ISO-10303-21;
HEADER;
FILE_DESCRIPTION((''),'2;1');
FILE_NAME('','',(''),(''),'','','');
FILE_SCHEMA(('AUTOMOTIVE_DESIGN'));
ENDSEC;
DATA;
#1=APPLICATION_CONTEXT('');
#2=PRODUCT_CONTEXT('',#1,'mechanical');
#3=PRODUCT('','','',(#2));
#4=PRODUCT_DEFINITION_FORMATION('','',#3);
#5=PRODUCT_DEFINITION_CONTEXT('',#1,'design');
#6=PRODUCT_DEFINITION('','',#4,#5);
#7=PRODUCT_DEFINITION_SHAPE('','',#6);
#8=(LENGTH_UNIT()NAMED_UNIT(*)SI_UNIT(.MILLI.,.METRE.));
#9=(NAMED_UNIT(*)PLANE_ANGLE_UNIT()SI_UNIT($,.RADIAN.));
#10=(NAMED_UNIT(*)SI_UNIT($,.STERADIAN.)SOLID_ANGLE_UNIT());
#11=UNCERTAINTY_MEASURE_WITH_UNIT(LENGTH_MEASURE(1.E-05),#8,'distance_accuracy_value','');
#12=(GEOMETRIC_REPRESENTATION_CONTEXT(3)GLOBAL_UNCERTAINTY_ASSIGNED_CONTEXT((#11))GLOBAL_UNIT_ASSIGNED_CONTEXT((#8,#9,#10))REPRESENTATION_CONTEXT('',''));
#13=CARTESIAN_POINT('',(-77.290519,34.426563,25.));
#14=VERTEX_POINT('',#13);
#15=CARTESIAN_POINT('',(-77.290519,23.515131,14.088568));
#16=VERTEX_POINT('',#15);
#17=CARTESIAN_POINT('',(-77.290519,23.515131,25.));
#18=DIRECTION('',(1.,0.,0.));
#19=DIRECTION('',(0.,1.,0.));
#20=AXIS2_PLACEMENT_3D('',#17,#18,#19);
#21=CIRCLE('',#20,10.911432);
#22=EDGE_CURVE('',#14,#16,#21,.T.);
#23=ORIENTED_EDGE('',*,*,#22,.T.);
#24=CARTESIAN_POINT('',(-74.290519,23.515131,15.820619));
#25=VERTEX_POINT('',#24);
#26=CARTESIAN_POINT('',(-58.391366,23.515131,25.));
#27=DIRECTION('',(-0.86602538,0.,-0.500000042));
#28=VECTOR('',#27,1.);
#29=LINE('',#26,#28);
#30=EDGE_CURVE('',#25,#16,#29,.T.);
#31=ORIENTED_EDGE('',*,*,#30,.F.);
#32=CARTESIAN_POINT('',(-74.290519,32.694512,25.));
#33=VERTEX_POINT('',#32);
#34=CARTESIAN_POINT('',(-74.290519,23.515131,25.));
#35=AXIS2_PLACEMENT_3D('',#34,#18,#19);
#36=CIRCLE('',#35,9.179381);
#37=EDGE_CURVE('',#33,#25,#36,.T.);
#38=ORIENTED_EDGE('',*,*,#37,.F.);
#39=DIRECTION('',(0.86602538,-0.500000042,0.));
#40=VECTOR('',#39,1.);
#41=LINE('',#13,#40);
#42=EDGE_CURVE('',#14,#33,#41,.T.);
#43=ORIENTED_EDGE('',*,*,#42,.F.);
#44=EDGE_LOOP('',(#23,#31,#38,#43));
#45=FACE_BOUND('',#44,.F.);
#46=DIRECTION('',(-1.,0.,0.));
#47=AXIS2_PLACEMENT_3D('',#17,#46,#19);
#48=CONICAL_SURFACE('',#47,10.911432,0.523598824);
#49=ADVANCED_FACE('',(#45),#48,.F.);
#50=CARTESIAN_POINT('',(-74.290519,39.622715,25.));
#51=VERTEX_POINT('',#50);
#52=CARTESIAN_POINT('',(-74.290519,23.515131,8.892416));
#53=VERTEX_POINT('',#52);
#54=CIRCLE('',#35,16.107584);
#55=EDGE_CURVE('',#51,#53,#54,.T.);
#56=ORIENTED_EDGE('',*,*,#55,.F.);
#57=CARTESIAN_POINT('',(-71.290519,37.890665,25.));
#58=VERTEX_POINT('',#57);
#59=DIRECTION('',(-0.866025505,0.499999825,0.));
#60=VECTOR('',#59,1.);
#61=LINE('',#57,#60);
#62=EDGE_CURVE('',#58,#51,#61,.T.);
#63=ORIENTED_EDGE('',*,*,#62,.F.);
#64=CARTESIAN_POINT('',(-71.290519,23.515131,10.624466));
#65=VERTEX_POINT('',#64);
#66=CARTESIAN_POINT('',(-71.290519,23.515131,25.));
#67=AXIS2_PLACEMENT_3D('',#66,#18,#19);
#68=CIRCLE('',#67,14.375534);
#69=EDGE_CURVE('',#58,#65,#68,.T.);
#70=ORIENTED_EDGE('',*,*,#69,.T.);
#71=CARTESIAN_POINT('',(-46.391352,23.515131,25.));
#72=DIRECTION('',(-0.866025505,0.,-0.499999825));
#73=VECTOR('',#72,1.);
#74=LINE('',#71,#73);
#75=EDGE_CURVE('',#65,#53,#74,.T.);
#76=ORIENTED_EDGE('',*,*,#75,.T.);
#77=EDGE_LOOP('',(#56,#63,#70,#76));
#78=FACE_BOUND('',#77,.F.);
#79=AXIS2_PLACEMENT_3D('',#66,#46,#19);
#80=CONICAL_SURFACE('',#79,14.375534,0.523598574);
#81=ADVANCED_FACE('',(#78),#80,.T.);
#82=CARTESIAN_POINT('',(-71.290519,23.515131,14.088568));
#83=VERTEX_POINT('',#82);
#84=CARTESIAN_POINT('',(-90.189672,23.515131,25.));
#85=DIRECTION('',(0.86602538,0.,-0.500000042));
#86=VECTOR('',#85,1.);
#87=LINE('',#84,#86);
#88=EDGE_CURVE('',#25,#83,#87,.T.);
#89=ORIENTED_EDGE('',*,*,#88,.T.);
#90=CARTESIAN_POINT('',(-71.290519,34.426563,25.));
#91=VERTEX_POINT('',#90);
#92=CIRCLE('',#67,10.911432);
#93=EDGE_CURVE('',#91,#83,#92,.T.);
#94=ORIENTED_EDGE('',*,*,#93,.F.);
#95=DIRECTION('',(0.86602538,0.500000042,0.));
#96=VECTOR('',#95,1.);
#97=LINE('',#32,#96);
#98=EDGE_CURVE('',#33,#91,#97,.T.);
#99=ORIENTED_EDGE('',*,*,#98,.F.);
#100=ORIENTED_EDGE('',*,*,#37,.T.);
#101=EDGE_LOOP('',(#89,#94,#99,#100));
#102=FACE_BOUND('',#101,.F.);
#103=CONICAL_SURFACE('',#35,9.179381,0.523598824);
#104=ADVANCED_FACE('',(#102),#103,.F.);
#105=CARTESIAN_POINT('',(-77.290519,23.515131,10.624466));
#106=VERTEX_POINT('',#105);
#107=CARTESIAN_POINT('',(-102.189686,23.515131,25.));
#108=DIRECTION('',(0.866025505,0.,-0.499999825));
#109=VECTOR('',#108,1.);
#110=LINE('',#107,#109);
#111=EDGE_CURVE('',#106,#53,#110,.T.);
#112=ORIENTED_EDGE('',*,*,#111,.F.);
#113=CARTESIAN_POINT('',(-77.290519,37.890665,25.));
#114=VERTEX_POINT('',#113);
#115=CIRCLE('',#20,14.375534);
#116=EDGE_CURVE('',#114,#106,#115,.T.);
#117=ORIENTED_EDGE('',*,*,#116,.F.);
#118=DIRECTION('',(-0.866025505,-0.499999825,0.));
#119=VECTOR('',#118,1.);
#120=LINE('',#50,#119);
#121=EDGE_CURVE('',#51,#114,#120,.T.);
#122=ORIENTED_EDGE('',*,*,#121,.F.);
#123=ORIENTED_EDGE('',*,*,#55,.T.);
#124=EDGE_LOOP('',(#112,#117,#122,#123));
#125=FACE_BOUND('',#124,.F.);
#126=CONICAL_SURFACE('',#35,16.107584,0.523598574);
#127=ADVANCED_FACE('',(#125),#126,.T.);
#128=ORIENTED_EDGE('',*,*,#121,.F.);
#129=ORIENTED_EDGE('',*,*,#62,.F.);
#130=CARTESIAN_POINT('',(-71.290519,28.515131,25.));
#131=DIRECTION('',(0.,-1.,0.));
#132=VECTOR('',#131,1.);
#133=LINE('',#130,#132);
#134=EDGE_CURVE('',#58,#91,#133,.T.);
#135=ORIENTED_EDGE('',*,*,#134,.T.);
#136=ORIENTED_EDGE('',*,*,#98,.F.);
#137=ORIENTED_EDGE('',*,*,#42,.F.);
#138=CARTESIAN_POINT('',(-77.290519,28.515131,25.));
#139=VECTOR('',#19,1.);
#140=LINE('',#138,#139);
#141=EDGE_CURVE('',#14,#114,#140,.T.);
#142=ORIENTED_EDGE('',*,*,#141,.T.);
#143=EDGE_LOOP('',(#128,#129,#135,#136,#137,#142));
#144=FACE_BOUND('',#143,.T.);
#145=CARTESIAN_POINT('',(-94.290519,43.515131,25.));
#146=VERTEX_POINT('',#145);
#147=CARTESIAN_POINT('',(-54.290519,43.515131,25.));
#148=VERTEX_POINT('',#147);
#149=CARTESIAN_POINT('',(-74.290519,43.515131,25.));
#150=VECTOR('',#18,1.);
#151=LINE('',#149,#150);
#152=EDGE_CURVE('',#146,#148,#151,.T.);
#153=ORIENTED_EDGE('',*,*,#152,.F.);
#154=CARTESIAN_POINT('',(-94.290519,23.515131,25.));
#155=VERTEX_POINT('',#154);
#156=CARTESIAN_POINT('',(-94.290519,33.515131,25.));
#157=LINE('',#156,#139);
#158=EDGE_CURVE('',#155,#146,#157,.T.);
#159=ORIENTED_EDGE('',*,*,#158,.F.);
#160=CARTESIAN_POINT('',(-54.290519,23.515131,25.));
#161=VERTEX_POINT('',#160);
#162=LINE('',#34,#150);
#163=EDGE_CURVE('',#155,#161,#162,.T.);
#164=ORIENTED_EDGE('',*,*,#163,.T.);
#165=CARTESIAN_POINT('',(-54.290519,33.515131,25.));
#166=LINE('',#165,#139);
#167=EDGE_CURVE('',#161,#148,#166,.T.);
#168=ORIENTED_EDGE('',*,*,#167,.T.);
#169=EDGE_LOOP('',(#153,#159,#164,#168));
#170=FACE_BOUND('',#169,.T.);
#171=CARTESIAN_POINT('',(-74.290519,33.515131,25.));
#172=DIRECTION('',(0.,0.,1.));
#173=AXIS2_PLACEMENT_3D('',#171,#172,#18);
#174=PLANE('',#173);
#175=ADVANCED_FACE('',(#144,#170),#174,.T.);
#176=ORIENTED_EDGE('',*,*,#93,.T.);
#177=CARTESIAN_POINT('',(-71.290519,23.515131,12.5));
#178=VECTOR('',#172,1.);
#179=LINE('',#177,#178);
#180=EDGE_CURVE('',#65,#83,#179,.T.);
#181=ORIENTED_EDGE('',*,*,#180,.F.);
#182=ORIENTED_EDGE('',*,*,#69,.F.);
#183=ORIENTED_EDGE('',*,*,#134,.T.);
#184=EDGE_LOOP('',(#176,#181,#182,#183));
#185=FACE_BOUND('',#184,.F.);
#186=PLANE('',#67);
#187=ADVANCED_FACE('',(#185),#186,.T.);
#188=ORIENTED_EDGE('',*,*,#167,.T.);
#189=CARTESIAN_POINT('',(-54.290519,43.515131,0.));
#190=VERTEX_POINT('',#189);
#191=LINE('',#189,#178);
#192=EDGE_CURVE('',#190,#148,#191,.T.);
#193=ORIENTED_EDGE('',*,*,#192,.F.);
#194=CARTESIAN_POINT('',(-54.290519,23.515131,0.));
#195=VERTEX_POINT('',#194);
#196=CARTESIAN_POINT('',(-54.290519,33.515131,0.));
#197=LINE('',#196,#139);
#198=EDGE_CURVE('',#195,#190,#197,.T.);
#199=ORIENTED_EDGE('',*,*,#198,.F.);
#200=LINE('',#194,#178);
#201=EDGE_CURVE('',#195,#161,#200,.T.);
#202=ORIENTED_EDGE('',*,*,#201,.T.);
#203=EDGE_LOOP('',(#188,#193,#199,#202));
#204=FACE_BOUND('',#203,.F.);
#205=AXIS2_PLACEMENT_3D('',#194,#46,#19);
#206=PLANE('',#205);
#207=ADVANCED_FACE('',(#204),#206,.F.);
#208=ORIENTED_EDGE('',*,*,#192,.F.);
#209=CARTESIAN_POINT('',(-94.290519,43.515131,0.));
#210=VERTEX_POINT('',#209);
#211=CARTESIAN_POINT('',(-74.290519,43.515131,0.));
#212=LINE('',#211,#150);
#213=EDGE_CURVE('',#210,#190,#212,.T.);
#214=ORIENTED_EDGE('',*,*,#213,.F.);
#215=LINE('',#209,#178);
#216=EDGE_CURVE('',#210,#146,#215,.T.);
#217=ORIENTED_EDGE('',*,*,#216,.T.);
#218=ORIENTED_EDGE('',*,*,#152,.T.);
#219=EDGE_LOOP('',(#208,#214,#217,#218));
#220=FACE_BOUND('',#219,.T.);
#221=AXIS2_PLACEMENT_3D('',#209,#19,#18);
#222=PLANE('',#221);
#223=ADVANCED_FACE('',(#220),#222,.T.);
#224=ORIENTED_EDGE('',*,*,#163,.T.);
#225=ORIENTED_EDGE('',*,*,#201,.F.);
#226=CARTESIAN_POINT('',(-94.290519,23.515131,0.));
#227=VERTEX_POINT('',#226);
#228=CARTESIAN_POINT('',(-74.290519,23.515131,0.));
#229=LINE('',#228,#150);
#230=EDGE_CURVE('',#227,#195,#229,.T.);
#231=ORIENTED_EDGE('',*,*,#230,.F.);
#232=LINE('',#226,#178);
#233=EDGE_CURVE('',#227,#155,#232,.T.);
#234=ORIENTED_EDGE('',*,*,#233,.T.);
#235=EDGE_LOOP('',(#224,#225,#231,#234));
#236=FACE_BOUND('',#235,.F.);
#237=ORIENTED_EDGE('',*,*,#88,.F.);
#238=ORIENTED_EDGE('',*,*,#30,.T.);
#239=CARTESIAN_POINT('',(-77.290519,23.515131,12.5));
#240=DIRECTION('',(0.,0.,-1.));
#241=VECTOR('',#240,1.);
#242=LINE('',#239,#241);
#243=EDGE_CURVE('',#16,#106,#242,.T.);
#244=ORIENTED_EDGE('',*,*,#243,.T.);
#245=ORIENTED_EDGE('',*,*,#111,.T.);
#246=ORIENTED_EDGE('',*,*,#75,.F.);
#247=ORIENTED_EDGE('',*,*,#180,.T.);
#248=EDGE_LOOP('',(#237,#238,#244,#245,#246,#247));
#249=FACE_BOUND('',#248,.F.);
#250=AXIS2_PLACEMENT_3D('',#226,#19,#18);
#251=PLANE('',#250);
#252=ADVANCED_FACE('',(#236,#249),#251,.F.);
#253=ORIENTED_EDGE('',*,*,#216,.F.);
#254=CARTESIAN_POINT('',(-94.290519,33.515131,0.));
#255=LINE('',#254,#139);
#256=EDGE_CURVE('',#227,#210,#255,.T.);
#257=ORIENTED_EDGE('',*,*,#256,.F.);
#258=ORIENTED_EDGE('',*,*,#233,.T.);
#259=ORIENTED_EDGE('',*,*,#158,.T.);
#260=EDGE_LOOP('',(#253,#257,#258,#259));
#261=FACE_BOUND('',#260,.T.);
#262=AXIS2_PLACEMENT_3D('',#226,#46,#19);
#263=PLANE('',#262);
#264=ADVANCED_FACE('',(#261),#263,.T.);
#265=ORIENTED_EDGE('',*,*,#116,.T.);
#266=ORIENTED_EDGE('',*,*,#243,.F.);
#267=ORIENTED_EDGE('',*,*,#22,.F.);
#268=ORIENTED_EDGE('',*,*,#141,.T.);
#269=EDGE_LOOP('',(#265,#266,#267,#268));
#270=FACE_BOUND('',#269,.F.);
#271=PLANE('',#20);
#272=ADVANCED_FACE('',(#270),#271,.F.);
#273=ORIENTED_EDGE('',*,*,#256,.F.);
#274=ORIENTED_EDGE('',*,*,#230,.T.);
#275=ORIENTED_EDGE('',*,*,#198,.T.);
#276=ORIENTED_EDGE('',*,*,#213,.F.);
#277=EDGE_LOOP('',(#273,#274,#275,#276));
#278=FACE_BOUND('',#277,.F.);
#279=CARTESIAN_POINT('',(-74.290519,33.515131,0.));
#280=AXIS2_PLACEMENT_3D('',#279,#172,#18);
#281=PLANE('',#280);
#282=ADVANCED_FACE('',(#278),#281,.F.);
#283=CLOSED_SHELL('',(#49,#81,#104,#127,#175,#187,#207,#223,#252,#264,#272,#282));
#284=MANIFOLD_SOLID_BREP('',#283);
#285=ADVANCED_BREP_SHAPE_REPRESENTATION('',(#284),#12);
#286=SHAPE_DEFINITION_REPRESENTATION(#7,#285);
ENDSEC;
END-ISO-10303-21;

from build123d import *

# Parameters (mm, degrees)
F0_W     = 40
F0_H     = 20
F1_DEPTH = 25


with BuildPart() as f1:
    # F0 (on Top) → F1 (new body)
    with BuildSketch(Plane.XY):
        with Locations((-74.290519, 33.515131)):
            Rectangle(F0_W, F0_H)
    extrude(amount=F1_DEPTH)

    # F2 (on face) → F3 (revolve)
    with BuildSketch(Plane.XY.offset(25)):
        Polygon((-71.290519, 37.890665), (-74.290519, 39.622715), (-77.290519, 37.890665), (-77.290519, 34.426563), (-74.290519, 32.694512), (-71.290519, 34.426563), align=None)
    revolve(axis=Axis((-74.290519, 23.515131, 25), (1, 0, 0)))


solid = f1.part
